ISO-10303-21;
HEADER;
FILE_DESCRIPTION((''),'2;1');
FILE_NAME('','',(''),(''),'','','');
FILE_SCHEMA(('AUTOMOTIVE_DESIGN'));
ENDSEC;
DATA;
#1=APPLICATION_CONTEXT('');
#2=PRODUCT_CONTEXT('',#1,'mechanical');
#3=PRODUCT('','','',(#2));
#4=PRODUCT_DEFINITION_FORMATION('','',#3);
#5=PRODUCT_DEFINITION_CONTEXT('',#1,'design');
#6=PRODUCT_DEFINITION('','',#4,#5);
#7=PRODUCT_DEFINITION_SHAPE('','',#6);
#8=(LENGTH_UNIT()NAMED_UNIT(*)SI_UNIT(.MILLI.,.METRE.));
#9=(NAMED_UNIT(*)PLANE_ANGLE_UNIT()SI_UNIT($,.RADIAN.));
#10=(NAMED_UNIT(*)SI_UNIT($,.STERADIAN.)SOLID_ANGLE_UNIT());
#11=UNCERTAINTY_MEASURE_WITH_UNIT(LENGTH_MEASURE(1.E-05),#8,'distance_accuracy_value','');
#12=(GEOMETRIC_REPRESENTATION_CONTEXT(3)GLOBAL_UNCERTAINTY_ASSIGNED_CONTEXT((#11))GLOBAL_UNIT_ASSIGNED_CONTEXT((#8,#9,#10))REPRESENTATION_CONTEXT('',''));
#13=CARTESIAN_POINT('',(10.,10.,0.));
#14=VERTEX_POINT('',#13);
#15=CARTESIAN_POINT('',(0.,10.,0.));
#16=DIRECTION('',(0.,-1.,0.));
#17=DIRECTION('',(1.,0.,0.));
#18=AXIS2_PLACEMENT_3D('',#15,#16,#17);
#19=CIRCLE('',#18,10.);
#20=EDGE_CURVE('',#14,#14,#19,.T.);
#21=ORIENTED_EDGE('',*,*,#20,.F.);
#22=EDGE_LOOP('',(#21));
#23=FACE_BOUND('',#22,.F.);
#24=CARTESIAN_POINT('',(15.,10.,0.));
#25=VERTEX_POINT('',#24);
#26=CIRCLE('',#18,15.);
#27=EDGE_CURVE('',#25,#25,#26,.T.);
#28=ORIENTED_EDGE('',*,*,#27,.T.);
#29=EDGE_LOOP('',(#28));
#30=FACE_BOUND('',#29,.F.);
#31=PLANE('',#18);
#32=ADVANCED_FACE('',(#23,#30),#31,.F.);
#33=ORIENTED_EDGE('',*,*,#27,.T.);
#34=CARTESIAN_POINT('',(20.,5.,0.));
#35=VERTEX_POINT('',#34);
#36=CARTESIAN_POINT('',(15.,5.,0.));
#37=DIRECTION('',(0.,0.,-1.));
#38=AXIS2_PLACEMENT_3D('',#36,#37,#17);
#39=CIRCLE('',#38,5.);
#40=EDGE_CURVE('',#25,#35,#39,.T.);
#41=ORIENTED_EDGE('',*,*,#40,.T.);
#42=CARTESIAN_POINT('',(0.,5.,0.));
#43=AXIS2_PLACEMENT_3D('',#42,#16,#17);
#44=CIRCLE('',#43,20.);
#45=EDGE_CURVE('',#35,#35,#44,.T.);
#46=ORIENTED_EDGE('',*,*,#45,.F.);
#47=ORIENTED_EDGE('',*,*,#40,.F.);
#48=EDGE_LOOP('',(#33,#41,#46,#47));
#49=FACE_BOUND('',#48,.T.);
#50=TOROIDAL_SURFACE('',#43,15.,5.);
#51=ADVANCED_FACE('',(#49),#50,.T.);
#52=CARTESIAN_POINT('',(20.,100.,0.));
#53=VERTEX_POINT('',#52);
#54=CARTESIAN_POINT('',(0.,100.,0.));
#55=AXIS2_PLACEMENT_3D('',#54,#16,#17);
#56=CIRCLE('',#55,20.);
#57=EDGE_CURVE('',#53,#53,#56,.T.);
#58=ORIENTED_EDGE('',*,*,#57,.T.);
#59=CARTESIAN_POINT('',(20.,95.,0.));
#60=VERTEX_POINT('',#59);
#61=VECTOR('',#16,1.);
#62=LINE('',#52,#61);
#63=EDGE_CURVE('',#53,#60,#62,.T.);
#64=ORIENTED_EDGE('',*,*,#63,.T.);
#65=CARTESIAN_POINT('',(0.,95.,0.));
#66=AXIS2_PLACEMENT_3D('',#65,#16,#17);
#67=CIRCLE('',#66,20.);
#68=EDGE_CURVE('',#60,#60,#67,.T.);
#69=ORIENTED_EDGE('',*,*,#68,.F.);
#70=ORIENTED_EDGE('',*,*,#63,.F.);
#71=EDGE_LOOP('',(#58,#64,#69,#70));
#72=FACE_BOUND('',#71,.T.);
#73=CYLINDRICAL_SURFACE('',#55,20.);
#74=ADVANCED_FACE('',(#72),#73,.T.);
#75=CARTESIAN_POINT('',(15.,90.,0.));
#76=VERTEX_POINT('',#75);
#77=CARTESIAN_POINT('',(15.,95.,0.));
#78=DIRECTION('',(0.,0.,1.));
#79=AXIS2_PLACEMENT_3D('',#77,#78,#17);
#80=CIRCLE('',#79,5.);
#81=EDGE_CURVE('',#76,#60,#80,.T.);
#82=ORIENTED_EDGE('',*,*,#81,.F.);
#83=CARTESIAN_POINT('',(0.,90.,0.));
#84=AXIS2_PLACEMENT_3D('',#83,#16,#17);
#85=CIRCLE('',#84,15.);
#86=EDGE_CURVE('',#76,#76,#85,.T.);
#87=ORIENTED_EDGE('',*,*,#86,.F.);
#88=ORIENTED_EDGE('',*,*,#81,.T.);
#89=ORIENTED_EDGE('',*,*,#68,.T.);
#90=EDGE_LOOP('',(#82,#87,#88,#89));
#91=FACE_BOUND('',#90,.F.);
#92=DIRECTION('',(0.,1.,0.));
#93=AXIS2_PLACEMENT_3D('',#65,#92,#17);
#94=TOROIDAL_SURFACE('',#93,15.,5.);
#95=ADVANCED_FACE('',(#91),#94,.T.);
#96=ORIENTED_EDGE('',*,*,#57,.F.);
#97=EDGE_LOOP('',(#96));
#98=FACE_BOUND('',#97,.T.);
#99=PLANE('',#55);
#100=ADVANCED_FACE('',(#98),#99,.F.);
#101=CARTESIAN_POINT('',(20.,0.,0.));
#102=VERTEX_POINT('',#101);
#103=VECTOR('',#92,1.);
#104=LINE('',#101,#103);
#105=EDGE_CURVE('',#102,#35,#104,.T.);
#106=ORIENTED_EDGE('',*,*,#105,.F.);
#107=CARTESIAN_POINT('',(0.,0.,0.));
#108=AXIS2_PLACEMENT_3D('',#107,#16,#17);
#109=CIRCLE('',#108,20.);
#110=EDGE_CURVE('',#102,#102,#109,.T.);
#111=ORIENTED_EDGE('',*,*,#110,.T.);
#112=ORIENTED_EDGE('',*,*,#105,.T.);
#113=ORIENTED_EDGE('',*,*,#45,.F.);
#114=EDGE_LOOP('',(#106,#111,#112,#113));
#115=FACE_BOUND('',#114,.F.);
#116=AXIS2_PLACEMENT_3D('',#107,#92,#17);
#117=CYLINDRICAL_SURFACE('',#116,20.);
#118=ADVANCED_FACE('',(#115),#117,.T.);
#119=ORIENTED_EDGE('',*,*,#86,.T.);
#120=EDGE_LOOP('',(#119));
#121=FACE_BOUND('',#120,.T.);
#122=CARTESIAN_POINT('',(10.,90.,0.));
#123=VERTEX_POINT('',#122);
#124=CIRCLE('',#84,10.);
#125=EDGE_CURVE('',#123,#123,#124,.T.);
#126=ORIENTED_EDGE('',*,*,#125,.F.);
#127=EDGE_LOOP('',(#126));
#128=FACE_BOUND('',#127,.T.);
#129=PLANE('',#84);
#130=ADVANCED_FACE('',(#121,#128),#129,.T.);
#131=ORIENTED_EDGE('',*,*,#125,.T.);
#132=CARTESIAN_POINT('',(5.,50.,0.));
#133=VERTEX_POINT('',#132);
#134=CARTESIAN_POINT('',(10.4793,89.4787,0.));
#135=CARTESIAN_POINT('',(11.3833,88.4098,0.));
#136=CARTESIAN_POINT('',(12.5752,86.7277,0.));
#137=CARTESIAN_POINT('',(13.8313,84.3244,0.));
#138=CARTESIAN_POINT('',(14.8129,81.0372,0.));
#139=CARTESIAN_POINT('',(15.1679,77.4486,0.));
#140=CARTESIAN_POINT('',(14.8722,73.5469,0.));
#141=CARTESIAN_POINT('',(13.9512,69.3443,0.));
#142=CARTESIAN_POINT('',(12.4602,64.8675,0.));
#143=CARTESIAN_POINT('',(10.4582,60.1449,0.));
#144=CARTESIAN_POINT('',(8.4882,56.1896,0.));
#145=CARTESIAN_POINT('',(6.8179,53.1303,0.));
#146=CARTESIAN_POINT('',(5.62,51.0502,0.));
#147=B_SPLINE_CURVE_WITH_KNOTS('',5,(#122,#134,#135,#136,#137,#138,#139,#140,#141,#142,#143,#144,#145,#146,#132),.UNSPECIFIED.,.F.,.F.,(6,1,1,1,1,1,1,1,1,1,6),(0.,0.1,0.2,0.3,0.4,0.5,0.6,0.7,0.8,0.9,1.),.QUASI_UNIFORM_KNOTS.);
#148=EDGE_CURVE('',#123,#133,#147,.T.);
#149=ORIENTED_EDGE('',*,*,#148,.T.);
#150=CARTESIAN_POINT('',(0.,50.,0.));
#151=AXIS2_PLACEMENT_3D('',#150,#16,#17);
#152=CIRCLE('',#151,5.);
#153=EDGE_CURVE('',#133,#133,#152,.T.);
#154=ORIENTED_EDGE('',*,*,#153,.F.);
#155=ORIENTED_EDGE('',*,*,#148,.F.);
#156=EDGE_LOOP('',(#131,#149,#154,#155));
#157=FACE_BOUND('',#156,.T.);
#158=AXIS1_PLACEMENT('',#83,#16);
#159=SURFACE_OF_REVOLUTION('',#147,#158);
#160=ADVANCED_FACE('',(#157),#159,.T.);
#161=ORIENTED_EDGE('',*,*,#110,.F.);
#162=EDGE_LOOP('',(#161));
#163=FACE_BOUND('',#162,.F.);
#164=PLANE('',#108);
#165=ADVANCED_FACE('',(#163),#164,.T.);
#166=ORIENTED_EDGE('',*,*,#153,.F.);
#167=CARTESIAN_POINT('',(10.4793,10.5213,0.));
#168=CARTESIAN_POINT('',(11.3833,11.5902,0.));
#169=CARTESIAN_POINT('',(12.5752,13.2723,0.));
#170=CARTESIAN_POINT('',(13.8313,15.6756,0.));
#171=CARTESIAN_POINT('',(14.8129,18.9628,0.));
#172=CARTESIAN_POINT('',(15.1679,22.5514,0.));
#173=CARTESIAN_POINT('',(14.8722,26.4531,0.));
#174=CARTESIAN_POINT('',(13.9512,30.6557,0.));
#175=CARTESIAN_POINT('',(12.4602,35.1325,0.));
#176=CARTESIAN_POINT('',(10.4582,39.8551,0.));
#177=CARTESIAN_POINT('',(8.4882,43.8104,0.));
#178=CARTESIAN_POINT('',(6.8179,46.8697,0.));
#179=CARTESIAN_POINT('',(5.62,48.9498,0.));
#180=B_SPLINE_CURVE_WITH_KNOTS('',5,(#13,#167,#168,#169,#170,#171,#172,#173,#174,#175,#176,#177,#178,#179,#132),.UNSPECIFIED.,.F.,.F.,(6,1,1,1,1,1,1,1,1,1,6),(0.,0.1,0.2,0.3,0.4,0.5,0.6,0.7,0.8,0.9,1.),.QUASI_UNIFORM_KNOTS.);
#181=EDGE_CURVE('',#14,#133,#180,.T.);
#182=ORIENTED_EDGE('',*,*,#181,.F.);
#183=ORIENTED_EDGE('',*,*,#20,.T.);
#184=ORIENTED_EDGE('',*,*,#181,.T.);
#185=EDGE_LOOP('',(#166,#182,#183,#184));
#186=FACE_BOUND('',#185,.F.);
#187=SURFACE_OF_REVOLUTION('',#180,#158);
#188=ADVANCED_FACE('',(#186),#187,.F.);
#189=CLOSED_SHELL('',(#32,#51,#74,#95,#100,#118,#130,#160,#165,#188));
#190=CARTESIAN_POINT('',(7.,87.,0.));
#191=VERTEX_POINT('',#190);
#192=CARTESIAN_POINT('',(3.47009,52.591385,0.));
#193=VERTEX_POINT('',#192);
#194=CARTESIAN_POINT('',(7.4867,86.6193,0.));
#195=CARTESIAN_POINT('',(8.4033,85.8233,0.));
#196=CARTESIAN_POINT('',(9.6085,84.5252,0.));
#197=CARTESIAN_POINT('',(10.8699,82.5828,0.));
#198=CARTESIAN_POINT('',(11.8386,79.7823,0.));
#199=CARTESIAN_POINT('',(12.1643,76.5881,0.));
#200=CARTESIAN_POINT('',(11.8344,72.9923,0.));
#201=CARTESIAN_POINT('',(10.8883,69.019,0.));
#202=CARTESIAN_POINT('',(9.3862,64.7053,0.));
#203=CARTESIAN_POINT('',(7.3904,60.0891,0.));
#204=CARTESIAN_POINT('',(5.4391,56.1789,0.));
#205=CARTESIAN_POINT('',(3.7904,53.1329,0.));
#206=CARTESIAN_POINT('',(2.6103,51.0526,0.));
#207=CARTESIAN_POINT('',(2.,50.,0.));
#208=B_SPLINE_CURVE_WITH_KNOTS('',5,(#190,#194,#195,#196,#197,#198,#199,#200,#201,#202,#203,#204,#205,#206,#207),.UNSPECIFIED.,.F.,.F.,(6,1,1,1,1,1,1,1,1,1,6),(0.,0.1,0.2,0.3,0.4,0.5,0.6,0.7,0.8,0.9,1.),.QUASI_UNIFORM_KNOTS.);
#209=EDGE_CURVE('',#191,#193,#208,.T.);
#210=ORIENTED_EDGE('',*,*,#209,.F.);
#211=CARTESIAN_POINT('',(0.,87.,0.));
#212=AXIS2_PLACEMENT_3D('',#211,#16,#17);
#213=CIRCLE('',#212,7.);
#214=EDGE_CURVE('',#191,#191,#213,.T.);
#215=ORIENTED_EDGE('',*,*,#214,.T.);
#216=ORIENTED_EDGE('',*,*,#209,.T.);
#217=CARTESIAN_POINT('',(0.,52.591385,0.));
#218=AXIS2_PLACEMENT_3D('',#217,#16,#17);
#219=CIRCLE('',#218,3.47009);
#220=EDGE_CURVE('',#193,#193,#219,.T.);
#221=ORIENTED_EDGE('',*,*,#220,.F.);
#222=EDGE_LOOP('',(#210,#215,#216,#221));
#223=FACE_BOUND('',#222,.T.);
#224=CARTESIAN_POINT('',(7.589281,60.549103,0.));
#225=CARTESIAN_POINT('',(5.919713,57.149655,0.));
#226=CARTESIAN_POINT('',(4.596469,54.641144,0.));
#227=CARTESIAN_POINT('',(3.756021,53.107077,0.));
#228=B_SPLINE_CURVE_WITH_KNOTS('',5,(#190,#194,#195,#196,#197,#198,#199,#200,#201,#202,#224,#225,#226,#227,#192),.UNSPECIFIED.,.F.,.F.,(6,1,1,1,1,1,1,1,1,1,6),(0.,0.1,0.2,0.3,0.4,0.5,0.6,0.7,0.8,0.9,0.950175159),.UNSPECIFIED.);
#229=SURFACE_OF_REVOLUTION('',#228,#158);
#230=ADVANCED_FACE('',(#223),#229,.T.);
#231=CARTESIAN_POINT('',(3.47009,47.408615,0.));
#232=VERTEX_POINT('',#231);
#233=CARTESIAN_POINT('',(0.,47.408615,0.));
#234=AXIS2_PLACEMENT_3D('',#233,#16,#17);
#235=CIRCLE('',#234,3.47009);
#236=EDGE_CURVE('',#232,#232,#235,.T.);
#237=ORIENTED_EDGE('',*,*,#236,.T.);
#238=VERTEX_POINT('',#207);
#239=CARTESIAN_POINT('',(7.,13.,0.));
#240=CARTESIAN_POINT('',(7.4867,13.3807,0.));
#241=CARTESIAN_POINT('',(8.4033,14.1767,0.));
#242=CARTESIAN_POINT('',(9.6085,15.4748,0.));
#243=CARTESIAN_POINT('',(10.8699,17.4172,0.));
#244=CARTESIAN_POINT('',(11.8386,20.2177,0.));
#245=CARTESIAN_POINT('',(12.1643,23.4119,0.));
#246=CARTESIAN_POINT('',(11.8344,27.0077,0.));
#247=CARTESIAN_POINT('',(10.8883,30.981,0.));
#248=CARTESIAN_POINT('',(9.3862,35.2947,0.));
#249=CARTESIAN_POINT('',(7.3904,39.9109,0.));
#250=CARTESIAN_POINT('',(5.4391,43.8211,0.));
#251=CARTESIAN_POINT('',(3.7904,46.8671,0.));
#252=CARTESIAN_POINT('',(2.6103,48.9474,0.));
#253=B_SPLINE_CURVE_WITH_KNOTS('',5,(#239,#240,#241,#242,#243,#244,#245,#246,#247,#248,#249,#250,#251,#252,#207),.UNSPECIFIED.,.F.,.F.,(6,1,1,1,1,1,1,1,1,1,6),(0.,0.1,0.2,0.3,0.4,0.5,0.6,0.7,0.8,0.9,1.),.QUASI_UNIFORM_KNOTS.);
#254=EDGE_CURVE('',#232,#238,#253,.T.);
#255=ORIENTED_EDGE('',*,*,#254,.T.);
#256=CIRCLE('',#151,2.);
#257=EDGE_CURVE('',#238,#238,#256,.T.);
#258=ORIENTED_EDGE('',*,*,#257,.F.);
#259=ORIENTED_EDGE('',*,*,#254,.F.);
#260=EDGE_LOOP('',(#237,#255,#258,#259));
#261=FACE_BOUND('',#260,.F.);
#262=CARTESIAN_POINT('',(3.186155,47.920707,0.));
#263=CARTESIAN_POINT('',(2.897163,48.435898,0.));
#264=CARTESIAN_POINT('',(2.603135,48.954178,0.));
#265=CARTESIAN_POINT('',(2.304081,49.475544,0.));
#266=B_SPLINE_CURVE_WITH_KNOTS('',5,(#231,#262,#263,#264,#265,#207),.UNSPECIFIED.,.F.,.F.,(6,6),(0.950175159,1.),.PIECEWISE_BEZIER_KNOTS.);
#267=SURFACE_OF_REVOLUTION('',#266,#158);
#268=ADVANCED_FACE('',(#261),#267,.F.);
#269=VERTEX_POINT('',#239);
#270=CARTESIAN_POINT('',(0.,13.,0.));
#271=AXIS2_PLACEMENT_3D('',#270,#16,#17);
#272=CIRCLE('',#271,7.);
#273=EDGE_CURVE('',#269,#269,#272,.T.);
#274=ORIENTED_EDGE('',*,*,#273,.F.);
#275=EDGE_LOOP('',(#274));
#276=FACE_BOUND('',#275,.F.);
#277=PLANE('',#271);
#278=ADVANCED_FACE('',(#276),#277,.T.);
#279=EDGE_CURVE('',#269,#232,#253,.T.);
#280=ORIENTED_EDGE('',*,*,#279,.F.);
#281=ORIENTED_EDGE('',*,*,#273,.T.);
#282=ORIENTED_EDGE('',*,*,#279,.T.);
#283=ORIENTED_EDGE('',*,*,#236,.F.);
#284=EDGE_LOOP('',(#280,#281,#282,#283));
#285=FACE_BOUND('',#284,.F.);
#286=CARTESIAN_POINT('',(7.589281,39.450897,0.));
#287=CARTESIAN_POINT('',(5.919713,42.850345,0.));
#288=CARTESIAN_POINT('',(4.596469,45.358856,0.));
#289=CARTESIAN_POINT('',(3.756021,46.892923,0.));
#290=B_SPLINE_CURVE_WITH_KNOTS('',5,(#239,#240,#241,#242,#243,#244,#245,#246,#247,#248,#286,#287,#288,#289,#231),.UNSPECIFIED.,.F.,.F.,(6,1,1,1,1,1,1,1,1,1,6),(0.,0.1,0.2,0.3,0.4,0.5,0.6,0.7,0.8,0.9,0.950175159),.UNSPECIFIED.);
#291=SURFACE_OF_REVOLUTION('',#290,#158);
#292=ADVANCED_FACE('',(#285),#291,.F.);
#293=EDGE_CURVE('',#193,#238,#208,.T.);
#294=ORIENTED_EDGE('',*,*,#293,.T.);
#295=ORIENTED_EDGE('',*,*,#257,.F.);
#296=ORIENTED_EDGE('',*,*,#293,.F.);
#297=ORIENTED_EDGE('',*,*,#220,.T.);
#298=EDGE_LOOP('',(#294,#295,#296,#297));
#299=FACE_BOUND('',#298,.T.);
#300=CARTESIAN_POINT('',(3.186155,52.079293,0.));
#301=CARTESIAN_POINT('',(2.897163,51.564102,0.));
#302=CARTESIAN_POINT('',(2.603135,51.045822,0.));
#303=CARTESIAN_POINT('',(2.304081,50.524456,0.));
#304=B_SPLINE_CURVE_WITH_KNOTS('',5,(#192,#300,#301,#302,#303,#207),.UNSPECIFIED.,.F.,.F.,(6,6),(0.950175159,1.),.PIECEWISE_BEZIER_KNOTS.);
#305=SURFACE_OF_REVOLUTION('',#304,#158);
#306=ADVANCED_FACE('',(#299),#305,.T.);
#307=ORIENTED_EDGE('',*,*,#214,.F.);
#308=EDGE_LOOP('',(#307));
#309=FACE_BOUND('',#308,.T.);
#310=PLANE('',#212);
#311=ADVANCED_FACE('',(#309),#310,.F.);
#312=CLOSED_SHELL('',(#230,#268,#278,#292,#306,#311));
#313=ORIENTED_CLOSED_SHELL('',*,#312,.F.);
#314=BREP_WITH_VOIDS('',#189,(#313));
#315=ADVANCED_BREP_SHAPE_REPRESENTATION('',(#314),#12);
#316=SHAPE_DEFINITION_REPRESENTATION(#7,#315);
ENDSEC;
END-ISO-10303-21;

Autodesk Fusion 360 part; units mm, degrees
sketch "Sketch1" plane through (0, 0, 0) normal (0, 0, 1) x (1, 0, 0)
  line L0 (0, 0) -> (20, 0)
  line L1 (20, 0) -> (20, 10)
  line L2 (20, 10) -> (0, 10)
  line L3 (0, 10) -> (0, 50) construction
  line L4 (0, 10) -> (10, 10)
  line L5 (0, 10) -> (0, 23.3333) construction
  line L6 (0, 23.3333) -> (15, 23.3333) construction
  line L7 (0, 50) -> (5, 50) construction
  spline S0 degree 5 poles (10, 10) (10.4793, 10.5213) (11.3833, 11.5902) (12.5752, 13.2723) (13.8313, 15.6756) (14.8129, 18.9628) (15.1679, 22.5514) (14.8722, 26.4531) (13.9512, 30.6557) (12.4602, 35.1325) (10.4582, 39.8551) (8.4882, 43.8104) (6.8179, 46.8697) (5.62, 48.9498) (5, 50) knots 0 0 0 0 0 0 0.1 0.2 0.3 0.4 0.5 0.6 0.7 0.8 0.9 1 1 1 1 1 1
  line L8 (0, 10) -> (0, 13)
  line L9 (15, 23.3333) -> (12, 23.3333) construction
  line L10 (0, 13) -> (7, 13)
  line L11 (5, 50) -> (2, 50)
  spline S1 degree 5 poles (7, 13) (7.4867, 13.3807) (8.4033, 14.1767) (9.6085, 15.4748) (10.8699, 17.4172) (11.8386, 20.2177) (12.1643, 23.4119) (11.8344, 27.0077) (10.8883, 30.981) (9.3862, 35.2947) (7.3904, 39.9109) (5.4391, 43.8211) (3.7904, 46.8671) (2.6103, 48.9474) (2, 50) knots 0 0 0 0 0 0 0.1 0.2 0.3 0.4 0.5 0.6 0.7 0.8 0.9 1 1 1 1 1 1
  line L12 (0, 0) -> (0, 10)
  line L13 (0, 50) -> (5, 50) construction
  spline S2 degree 5 poles (7, 87) (7.4867, 86.6193) (8.4033, 85.8233) (9.6085, 84.5252) (10.8699, 82.5828) (11.8386, 79.7823) (12.1643, 76.5881) (11.8344, 72.9923) (10.8883, 69.019) (9.3862, 64.7053) (7.3904, 60.0891) (5.4391, 56.1789) (3.7904, 53.1329) (2.6103, 51.0526) (2, 50) knots 0 0 0 0 0 0 0.1 0.2 0.3 0.4 0.5 0.6 0.7 0.8 0.9 1 1 1 1 1 1
  line L14 (3.7291, 10.4414) -> (10.2709, 15.5586)
  line L15 (4.6467, 45.4353) -> (-0.6467, 54.5647)
  line L16 (3.7291, 89.5586) -> (10.2709, 84.4414)
  line L17 (4.6467, 54.5647) -> (-0.6467, 45.4353)
  line L18 (5, 50) -> (2, 50)
  line L19 (0, 90) -> (0, 76.6667) construction
  line L20 (15, 76.6667) -> (12, 76.6667) construction
  line L21 (0, 76.6667) -> (15, 76.6667) construction
  line L22 (0, 100) -> (0, 90)
  line L23 (20, 90) -> (0, 90)
  line L24 (0, 90) -> (0, 87)
  spline S3 degree 5 poles (10, 90) (10.4793, 89.4787) (11.3833, 88.4098) (12.5752, 86.7277) (13.8313, 84.3244) (14.8129, 81.0372) (15.1679, 77.4486) (14.8722, 73.5469) (13.9512, 69.3443) (12.4602, 64.8675) (10.4582, 60.1449) (8.4882, 56.1896) (6.8179, 53.1303) (5.62, 51.0502) (5, 50) knots 0 0 0 0 0 0 0.1 0.2 0.3 0.4 0.5 0.6 0.7 0.8 0.9 1 1 1 1 1 1
  line L25 (7.0166, 6.7552) -> (12.9834, 13.2448)
  line L26 (7.7565, 45.331) -> (2.2435, 54.669)
  line L27 (7.0166, 93.2448) -> (12.9834, 86.7552)
  line L28 (7.7565, 54.669) -> (2.2435, 45.331)
  line L29 (20, 100) -> (20, 90)
  line L30 (0, 90) -> (0, 50) construction
  line L31 (0, 87) -> (7, 87)
  line L32 (0, 90) -> (10, 90)
  line L33 (0, 100) -> (20, 100)
  point P0 (0, 100)
  dimension "d8" = 20
  dimension "d9" = 10
  dimension "d10" = 20
  dimension "d11" = 40
  dimension "d12" = 10
  dimension "d13" = 13.3333
  dimension "d14" = 15
  dimension "d15" = 5
  dimension "d17" = 3
  dimension "d18" = 3
  dimension "d19" = 7
  dimension "d20" = 3
  dimension "d21" = 10
revolve "Revolve1" add sketch "Sketch1" angle 360 about axis through (0, 90, 0) along (0, -1, 0)
fillet "Fillet1" radius 5 2 edges at (-18.6465, 90, -7.2323) (-18.6465, 10, -7.2323)
equation "base_d = 40 mm"
equation "base_thick = 10 mm"
equation "half_height = 40 mm"
equation "widest_d = 30 mm"
equation "end_d = 20 mm"
equation "center_d = 10 mm"
equation "glass_thick = 3 mm"
equation "d8 = base_d / 2"
equation "d9 = base_thick"
equation "d10 = base_d / 2"
equation "d11 = half_height"
equation "d12 = end_d / 2"
equation "d13 = half_height / 3"
equation "d14 = widest_d / 2"
equation "d15 = center_d / 2"
equation "d17 = glass_thick"
equation "d18 = glass_thick"
equation "d19 = ( end_d / 2 ) - glass_thick"
equation "d20 = glass_thick"
equation "d21 = base_thick"
